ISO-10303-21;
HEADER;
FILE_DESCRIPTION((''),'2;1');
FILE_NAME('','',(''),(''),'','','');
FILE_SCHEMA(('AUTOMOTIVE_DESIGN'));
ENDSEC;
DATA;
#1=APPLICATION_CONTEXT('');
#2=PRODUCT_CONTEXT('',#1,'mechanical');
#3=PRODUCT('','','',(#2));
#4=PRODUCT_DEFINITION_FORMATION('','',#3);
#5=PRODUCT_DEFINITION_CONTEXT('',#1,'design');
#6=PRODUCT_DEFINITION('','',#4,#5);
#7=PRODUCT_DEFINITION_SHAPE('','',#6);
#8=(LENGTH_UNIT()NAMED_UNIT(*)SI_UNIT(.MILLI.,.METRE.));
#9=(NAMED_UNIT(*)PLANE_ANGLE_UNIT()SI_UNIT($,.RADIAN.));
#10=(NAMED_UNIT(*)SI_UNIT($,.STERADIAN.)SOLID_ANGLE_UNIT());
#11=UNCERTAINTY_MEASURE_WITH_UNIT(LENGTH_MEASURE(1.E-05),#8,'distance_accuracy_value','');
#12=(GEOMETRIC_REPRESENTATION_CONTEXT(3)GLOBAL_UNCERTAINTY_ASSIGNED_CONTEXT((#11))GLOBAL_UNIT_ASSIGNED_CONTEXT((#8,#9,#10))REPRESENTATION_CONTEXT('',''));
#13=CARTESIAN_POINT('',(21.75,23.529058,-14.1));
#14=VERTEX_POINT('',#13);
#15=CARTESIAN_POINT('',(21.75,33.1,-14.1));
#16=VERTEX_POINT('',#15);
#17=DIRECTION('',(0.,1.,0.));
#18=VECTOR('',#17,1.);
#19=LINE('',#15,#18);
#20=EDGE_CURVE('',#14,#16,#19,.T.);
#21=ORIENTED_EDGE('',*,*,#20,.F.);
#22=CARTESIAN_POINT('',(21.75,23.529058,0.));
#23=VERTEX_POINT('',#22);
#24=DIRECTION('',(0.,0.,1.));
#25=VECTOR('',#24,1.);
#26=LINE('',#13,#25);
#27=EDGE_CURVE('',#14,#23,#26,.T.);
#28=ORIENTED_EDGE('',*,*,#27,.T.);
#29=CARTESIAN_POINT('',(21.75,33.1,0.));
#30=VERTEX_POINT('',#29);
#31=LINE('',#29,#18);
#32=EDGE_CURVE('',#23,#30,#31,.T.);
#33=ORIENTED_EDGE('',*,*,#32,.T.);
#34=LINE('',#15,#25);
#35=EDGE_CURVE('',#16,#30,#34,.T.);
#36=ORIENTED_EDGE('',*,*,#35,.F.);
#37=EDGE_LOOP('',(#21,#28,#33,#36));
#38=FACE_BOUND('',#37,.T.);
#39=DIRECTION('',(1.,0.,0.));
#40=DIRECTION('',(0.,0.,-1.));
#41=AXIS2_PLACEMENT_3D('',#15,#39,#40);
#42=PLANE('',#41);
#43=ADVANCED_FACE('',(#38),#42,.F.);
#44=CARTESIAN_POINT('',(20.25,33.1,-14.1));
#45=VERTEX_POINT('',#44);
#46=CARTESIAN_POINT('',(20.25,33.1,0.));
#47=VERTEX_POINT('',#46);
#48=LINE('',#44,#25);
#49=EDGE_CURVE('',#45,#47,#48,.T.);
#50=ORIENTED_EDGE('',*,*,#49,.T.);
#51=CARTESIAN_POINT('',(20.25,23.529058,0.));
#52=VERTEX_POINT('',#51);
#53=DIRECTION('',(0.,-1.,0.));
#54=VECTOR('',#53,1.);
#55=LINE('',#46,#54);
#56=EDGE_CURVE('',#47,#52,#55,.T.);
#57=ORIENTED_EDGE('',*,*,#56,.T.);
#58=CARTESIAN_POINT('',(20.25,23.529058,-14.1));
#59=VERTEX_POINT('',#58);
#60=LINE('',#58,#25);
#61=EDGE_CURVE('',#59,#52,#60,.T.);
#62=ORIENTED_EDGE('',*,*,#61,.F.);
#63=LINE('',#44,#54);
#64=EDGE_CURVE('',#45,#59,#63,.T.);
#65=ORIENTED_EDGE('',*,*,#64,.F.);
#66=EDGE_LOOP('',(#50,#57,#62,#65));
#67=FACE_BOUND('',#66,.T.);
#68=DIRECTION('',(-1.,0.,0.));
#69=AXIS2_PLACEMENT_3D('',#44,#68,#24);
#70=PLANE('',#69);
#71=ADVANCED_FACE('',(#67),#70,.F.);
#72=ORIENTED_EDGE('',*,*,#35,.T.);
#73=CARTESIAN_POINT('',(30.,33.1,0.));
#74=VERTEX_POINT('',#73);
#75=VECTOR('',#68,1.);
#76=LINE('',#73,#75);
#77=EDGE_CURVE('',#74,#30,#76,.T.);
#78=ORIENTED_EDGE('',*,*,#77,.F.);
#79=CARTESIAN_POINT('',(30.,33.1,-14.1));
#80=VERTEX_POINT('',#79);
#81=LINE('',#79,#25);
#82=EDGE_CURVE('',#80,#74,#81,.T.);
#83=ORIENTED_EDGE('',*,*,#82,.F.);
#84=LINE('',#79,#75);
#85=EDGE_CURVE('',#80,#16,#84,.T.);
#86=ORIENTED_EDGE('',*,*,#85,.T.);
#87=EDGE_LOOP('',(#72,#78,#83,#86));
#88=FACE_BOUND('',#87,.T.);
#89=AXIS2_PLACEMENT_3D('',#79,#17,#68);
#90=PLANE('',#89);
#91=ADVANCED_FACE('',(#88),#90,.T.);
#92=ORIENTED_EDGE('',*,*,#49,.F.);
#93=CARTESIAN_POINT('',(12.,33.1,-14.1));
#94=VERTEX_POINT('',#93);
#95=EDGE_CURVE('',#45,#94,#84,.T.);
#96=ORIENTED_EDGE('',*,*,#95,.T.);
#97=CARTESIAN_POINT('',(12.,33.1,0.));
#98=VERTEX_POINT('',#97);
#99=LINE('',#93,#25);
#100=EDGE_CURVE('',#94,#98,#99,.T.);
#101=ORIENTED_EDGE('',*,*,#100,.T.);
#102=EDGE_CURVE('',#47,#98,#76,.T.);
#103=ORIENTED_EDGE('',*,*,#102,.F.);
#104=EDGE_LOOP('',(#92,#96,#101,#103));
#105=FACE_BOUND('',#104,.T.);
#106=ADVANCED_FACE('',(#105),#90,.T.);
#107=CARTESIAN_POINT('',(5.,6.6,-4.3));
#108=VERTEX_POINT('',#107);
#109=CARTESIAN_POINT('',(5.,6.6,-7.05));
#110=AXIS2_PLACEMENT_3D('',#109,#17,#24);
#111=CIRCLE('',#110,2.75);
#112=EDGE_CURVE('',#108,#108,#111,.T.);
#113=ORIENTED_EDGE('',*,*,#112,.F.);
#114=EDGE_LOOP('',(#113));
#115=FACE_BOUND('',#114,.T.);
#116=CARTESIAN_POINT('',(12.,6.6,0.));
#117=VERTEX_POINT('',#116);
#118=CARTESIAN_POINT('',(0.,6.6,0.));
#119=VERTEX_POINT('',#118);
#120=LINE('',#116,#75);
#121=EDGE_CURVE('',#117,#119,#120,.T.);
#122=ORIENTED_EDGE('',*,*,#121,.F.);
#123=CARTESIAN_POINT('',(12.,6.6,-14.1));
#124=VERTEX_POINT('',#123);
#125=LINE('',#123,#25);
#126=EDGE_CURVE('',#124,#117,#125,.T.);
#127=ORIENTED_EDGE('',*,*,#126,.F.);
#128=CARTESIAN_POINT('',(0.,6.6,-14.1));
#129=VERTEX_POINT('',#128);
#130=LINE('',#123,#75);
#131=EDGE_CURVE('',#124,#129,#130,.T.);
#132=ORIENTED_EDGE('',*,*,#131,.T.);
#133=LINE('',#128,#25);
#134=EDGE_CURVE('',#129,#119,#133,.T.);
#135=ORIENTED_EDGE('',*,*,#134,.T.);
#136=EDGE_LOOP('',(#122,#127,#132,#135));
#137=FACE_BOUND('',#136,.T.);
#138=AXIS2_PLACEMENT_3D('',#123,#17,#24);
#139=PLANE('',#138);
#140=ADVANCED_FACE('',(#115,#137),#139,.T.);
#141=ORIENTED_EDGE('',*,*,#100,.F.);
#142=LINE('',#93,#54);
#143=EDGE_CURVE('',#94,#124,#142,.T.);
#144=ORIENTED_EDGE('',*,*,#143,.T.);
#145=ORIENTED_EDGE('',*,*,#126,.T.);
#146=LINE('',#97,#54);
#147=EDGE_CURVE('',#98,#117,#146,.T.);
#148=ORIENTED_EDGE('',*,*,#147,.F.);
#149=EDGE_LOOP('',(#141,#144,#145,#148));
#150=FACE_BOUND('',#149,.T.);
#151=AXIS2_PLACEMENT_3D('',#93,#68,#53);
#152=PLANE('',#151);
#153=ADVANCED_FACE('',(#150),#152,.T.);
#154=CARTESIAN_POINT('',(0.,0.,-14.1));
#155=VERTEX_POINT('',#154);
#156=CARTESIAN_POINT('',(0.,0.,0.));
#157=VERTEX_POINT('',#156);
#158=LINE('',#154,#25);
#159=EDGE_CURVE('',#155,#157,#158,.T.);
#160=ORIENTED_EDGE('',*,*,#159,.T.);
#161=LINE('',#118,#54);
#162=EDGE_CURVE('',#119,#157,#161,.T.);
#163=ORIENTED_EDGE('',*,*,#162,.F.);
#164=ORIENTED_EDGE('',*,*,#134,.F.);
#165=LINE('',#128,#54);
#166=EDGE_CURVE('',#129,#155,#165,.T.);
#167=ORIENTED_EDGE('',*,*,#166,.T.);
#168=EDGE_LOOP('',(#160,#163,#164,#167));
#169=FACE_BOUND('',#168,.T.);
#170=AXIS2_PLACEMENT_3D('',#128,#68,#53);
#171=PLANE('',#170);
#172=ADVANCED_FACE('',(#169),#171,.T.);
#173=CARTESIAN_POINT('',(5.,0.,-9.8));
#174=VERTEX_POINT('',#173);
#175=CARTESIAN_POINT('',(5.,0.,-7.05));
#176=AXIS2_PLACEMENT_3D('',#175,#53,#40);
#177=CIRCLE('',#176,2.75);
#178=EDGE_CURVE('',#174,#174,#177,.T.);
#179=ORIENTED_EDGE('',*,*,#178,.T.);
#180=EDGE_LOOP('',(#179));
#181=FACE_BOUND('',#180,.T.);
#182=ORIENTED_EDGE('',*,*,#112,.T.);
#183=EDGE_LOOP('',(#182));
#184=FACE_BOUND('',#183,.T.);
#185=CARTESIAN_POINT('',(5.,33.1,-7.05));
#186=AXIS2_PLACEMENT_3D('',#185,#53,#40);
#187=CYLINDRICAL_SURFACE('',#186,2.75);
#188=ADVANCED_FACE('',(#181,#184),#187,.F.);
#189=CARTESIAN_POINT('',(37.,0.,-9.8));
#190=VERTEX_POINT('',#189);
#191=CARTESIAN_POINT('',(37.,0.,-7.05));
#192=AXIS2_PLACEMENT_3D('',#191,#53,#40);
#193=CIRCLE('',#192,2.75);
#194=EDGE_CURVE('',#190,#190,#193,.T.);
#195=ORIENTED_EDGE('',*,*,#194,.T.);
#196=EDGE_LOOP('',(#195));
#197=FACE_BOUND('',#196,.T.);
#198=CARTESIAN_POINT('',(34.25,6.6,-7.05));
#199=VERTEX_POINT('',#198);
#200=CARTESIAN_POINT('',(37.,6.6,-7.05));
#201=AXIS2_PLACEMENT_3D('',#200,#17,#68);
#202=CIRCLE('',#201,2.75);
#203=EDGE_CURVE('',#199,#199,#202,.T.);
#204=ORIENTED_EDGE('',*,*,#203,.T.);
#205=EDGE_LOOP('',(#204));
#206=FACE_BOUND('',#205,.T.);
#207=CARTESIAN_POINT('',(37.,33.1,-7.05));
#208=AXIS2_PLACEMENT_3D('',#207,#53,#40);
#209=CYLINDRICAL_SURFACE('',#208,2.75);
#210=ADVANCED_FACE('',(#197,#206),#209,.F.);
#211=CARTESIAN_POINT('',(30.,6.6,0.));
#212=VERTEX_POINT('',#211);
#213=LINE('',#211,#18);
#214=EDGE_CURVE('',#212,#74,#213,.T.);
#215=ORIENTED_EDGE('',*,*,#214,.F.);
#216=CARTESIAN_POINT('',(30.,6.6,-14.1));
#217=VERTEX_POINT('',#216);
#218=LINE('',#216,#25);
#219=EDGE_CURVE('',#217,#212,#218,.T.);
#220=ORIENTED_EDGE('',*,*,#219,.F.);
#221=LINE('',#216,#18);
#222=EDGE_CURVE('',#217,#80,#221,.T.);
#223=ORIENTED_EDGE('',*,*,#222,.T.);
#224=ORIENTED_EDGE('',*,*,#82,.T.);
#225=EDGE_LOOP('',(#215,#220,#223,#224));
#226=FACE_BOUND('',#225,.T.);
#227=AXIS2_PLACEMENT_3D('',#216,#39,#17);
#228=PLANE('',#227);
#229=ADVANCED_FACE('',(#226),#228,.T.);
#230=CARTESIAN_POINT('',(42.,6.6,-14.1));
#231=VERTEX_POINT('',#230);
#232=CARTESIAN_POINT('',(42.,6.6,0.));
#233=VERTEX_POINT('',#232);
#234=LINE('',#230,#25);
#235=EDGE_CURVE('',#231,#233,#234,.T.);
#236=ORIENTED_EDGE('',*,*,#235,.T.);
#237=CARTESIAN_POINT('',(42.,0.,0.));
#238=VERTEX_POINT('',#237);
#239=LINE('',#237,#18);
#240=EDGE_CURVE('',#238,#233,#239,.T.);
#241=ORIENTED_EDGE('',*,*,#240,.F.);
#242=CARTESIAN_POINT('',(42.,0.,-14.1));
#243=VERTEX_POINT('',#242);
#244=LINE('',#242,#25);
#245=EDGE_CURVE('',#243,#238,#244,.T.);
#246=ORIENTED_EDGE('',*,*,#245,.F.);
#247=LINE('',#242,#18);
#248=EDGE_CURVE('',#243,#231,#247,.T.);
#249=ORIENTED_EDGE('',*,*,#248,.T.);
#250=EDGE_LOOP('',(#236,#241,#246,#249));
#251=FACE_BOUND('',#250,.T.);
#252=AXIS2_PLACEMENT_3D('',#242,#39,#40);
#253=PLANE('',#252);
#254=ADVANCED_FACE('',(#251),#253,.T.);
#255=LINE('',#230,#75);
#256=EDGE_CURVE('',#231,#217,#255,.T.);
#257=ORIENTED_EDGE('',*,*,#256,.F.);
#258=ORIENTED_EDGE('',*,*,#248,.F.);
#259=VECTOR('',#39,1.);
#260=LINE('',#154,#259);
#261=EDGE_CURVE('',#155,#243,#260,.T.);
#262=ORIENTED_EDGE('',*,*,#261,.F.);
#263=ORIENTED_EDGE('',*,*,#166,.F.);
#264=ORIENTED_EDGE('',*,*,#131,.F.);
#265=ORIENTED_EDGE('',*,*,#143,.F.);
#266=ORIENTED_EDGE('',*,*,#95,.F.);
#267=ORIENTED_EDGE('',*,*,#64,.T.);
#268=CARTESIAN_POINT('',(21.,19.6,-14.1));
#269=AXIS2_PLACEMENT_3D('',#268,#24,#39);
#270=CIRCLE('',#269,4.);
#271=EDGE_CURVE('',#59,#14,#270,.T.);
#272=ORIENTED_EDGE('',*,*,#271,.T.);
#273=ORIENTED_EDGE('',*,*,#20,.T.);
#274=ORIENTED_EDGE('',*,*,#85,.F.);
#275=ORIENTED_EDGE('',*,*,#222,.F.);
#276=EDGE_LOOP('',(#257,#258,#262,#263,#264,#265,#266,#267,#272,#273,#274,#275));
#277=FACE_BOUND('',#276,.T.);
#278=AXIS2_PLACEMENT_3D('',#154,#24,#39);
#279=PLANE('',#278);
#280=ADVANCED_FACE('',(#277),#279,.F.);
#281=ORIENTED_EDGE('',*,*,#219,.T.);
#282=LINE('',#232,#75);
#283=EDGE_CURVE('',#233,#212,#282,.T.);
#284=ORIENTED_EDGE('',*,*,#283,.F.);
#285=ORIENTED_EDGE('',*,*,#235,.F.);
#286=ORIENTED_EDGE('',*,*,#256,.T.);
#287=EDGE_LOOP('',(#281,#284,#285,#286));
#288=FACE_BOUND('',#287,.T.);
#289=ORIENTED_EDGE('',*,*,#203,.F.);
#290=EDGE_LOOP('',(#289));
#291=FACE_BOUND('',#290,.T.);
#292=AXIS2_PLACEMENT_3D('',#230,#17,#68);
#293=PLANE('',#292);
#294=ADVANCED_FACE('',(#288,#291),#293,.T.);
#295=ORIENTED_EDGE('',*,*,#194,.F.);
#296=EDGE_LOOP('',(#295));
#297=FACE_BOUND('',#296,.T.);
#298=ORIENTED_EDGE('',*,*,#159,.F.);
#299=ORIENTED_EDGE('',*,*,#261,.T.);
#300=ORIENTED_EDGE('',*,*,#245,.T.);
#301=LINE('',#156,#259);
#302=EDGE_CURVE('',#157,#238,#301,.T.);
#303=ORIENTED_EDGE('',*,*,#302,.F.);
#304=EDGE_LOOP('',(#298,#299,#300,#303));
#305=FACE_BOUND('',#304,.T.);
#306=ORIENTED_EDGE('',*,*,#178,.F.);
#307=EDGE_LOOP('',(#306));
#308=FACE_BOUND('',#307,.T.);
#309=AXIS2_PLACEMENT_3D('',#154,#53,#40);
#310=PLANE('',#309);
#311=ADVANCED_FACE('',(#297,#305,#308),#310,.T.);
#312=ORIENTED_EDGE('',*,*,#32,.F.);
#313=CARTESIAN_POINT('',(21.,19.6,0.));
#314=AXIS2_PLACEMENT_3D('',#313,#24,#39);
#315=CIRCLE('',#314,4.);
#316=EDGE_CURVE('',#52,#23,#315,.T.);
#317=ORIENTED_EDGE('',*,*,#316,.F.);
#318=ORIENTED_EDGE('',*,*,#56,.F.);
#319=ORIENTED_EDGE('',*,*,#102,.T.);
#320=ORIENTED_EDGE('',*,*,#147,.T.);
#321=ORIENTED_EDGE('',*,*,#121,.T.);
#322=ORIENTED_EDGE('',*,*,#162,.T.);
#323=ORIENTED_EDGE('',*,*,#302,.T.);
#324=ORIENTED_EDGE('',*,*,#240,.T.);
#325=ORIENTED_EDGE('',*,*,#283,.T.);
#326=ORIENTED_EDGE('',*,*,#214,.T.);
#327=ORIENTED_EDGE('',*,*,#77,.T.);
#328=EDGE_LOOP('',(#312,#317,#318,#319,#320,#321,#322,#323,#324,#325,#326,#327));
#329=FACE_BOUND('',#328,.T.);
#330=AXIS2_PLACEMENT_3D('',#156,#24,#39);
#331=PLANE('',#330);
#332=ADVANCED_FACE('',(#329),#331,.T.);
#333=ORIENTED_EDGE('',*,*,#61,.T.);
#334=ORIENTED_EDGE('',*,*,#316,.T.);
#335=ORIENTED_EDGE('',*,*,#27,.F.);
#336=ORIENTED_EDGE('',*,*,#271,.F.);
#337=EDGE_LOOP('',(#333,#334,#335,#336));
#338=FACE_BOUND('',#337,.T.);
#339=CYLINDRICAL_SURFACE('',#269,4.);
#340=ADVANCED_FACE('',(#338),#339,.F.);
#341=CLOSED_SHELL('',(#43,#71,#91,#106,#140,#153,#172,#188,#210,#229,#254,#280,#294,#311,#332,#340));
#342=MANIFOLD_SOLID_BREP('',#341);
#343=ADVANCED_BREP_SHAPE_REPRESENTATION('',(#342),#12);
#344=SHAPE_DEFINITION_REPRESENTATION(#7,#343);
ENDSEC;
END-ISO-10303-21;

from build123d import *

# Parameters (mm, degrees)
BOSS_EXTRUDE1_DEPTH = 14.1
CUT_EXTRUDE1_DEPTH  = 14.1
SKETCH3_R           = 2.75
CUT_EXTRUDE2_DEPTH  = 56.302983645


with BuildPart() as part:
    # Sketch1 → Boss-Extrude1 (new body)
    with BuildSketch(Plane.XY):
        Polygon((0, 0), (42, 0), (42, 6.6), (30, 6.6), (30, 33.1), (12, 33.1), (12, 6.6), (0, 6.6), align=None)
    extrude(amount=-BOSS_EXTRUDE1_DEPTH)

    # Sketch2 → Cut-Extrude1 (cut)
    with BuildSketch(Plane.XY):
        with BuildLine():
            Line((20.25, 33.1), (21.75, 33.1))
            Line((21.75, 33.1), (21.75, 23.529058411))
            ThreePointArc((21.75, 23.529058411), (21, 15.6), (20.25, 23.529058411))
            Line((20.25, 23.529058411), (20.25, 33.1))
        make_face()
    extrude(amount=-CUT_EXTRUDE1_DEPTH, mode=Mode.SUBTRACT)

    # Sketch3 → Cut-Extrude2 (cut, through all)
    with BuildSketch(Plane.XZ):
        with Locations(Location((5, -7.05, 0), (0, 0, 270))):
            Circle(SKETCH3_R)
        with Locations(Location((37, -7.05, 0), (0, 0, 270))):
            Circle(SKETCH3_R)
    extrude(amount=-CUT_EXTRUDE2_DEPTH, mode=Mode.SUBTRACT)


solid = part.part
